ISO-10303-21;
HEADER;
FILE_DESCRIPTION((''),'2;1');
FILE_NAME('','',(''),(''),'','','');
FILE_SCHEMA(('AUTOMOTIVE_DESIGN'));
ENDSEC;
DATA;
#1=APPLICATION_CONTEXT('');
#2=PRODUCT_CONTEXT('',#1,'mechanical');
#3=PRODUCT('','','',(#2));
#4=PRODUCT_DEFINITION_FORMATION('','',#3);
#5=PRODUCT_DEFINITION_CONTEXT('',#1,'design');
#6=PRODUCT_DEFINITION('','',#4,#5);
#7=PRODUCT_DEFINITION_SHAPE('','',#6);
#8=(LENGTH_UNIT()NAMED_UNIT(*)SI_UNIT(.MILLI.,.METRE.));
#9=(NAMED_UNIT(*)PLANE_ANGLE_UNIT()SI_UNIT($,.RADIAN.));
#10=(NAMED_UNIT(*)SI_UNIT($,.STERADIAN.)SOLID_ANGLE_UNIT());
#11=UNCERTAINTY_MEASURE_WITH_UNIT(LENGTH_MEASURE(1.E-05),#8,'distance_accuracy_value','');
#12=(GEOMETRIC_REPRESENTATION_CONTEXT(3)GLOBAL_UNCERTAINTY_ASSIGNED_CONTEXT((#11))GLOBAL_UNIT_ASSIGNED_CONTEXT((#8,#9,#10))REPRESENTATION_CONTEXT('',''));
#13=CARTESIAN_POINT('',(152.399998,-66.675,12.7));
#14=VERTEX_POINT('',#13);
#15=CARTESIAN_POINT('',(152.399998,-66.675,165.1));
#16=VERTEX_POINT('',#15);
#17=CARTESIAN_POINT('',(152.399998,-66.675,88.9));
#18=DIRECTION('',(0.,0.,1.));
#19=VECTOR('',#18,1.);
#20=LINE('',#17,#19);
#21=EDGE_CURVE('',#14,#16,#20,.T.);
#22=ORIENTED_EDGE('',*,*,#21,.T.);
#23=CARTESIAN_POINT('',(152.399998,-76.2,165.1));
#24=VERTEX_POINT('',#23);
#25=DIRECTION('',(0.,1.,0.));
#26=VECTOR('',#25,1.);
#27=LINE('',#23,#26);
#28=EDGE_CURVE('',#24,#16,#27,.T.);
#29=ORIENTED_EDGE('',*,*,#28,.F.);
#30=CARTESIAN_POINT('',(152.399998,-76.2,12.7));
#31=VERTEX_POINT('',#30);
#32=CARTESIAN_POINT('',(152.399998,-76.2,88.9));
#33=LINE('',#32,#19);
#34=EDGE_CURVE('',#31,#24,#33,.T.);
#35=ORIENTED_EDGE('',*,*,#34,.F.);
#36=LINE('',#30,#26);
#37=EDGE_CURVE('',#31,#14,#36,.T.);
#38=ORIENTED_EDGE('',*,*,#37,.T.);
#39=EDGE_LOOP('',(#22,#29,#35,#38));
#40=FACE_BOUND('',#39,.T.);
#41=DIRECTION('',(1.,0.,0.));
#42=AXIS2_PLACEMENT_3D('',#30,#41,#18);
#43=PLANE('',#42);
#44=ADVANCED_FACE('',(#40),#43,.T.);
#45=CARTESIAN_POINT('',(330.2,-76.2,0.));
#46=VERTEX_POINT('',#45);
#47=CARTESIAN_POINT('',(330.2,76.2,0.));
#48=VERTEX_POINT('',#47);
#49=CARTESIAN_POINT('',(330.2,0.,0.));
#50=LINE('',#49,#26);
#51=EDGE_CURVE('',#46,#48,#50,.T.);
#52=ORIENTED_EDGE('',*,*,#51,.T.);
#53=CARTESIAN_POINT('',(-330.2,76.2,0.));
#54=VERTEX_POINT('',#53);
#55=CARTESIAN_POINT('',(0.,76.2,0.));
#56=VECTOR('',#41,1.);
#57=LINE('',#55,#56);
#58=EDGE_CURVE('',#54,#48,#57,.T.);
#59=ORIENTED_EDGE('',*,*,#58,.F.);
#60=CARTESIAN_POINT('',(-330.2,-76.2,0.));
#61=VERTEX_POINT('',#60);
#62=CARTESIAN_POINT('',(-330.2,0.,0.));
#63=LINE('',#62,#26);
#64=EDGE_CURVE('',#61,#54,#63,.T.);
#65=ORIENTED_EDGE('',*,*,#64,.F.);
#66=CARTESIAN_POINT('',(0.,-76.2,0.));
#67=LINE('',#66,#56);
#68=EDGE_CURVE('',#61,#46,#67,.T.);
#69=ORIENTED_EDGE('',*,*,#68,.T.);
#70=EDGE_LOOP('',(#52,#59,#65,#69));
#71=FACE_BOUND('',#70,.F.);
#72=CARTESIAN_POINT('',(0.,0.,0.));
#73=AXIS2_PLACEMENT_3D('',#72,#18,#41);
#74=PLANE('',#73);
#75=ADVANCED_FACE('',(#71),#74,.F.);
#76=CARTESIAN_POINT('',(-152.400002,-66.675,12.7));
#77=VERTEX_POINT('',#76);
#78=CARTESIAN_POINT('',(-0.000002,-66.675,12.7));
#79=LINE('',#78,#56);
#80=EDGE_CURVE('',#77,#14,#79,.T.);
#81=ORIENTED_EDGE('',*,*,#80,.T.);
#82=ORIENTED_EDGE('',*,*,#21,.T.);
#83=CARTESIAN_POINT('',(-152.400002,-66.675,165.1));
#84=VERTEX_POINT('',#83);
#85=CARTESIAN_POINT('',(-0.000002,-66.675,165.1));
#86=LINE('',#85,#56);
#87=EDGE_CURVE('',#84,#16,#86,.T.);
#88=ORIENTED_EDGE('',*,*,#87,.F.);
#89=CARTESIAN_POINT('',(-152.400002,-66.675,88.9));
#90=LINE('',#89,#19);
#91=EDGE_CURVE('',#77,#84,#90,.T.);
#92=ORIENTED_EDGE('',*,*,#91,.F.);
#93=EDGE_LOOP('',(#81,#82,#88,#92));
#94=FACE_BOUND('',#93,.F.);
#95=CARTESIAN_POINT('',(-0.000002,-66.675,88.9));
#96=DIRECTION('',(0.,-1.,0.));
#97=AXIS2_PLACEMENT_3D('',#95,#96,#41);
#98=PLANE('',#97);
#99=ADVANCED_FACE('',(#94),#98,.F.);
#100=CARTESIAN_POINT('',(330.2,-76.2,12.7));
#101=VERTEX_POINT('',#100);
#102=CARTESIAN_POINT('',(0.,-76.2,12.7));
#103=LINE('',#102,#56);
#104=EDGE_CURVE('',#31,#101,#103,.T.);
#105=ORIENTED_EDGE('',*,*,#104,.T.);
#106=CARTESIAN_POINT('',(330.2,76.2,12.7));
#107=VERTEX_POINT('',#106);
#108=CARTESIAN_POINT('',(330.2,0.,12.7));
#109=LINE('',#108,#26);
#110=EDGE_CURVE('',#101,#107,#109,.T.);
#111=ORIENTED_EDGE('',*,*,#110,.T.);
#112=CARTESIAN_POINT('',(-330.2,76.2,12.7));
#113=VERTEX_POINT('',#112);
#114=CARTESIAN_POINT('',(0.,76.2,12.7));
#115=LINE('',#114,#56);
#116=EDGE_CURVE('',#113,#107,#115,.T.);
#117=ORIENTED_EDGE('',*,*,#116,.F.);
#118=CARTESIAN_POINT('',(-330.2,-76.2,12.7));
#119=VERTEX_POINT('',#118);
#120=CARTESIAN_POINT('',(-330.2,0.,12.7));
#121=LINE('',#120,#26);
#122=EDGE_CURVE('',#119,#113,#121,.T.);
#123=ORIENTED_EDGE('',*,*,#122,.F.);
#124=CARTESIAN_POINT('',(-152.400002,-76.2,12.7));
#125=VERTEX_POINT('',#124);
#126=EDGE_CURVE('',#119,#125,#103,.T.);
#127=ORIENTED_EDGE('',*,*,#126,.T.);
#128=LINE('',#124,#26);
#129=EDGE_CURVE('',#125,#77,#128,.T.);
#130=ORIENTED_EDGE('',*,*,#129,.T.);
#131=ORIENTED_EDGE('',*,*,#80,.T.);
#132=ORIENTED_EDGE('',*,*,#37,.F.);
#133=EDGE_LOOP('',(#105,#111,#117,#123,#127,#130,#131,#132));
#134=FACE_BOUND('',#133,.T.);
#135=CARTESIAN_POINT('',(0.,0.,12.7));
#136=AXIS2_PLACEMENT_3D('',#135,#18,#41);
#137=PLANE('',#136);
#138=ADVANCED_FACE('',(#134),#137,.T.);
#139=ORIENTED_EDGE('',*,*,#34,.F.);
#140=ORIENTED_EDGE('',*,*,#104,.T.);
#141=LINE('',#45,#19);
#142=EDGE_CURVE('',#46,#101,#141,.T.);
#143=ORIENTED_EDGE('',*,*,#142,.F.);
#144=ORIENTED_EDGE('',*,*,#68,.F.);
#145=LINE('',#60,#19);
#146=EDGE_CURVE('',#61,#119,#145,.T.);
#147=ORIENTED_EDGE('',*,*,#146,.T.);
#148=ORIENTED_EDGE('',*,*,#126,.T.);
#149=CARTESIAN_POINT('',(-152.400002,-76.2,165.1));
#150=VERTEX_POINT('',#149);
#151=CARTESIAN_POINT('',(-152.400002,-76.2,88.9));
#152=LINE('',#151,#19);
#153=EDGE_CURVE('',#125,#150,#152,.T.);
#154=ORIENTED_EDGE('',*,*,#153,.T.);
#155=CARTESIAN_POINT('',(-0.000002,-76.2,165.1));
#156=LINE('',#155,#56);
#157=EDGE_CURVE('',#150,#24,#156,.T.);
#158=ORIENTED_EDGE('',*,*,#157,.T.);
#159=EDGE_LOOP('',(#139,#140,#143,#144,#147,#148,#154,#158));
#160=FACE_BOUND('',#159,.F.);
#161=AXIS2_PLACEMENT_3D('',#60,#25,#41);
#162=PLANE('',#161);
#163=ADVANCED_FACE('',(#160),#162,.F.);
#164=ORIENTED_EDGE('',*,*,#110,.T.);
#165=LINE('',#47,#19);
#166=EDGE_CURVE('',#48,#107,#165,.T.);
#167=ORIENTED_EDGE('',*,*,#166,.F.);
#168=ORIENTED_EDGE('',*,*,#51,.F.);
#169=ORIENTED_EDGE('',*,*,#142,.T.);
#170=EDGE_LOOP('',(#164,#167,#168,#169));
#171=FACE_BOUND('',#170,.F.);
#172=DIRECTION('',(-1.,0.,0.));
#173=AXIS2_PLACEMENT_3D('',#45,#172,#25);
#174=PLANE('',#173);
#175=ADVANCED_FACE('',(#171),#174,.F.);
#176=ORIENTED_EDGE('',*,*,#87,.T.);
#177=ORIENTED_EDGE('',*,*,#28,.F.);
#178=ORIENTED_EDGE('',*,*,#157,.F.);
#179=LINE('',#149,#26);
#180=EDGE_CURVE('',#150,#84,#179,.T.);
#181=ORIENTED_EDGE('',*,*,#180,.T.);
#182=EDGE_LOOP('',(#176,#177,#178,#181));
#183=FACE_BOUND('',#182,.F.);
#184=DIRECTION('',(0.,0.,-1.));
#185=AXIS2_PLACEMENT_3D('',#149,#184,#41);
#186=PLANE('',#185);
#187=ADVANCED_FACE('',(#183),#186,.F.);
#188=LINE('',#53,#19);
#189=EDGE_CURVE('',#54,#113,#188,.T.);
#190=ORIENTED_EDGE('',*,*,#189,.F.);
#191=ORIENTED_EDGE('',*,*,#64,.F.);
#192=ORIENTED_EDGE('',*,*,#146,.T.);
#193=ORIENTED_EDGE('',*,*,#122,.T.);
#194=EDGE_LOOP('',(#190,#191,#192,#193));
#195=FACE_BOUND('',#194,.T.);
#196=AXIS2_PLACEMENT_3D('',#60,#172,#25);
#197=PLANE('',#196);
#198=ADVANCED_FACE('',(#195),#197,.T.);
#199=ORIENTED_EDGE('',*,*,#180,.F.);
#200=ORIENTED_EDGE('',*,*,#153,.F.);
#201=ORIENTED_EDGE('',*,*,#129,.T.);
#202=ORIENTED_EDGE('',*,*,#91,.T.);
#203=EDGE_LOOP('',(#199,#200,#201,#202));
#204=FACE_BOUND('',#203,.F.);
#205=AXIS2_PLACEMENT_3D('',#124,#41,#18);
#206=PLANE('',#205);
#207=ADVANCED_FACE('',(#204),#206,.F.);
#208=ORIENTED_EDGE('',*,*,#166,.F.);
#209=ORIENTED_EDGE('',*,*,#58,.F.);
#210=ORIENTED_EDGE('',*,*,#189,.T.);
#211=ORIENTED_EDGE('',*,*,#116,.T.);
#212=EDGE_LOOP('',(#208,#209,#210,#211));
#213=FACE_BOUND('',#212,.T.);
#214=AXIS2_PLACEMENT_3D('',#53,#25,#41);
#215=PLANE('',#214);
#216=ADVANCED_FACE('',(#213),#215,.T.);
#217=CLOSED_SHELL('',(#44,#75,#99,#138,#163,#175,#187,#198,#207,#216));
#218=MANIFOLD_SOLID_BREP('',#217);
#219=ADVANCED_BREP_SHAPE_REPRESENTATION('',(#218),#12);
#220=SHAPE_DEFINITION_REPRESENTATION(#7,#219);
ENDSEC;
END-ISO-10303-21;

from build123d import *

# Parameters (mm, degrees)
F0_W     = 660.4
F0_H     = 152.4
F1_DEPTH = 12.7
F2_W     = 304.8
F2_H     = 152.4
F3_DEPTH = 9.525


with BuildPart() as f1:
    # F0 (on Top) → F1 (new body)
    with BuildSketch(Plane.XY):
        Rectangle(F0_W, F0_H)
    extrude(amount=F1_DEPTH)

    # F2 (on face) → F3 (join)
    with BuildSketch(Plane.XZ.offset(76.2)):
        with Locations((-2e-06, 88.9)):
            Rectangle(F2_W, F2_H)
    extrude(amount=-F3_DEPTH)


solid = f1.part
